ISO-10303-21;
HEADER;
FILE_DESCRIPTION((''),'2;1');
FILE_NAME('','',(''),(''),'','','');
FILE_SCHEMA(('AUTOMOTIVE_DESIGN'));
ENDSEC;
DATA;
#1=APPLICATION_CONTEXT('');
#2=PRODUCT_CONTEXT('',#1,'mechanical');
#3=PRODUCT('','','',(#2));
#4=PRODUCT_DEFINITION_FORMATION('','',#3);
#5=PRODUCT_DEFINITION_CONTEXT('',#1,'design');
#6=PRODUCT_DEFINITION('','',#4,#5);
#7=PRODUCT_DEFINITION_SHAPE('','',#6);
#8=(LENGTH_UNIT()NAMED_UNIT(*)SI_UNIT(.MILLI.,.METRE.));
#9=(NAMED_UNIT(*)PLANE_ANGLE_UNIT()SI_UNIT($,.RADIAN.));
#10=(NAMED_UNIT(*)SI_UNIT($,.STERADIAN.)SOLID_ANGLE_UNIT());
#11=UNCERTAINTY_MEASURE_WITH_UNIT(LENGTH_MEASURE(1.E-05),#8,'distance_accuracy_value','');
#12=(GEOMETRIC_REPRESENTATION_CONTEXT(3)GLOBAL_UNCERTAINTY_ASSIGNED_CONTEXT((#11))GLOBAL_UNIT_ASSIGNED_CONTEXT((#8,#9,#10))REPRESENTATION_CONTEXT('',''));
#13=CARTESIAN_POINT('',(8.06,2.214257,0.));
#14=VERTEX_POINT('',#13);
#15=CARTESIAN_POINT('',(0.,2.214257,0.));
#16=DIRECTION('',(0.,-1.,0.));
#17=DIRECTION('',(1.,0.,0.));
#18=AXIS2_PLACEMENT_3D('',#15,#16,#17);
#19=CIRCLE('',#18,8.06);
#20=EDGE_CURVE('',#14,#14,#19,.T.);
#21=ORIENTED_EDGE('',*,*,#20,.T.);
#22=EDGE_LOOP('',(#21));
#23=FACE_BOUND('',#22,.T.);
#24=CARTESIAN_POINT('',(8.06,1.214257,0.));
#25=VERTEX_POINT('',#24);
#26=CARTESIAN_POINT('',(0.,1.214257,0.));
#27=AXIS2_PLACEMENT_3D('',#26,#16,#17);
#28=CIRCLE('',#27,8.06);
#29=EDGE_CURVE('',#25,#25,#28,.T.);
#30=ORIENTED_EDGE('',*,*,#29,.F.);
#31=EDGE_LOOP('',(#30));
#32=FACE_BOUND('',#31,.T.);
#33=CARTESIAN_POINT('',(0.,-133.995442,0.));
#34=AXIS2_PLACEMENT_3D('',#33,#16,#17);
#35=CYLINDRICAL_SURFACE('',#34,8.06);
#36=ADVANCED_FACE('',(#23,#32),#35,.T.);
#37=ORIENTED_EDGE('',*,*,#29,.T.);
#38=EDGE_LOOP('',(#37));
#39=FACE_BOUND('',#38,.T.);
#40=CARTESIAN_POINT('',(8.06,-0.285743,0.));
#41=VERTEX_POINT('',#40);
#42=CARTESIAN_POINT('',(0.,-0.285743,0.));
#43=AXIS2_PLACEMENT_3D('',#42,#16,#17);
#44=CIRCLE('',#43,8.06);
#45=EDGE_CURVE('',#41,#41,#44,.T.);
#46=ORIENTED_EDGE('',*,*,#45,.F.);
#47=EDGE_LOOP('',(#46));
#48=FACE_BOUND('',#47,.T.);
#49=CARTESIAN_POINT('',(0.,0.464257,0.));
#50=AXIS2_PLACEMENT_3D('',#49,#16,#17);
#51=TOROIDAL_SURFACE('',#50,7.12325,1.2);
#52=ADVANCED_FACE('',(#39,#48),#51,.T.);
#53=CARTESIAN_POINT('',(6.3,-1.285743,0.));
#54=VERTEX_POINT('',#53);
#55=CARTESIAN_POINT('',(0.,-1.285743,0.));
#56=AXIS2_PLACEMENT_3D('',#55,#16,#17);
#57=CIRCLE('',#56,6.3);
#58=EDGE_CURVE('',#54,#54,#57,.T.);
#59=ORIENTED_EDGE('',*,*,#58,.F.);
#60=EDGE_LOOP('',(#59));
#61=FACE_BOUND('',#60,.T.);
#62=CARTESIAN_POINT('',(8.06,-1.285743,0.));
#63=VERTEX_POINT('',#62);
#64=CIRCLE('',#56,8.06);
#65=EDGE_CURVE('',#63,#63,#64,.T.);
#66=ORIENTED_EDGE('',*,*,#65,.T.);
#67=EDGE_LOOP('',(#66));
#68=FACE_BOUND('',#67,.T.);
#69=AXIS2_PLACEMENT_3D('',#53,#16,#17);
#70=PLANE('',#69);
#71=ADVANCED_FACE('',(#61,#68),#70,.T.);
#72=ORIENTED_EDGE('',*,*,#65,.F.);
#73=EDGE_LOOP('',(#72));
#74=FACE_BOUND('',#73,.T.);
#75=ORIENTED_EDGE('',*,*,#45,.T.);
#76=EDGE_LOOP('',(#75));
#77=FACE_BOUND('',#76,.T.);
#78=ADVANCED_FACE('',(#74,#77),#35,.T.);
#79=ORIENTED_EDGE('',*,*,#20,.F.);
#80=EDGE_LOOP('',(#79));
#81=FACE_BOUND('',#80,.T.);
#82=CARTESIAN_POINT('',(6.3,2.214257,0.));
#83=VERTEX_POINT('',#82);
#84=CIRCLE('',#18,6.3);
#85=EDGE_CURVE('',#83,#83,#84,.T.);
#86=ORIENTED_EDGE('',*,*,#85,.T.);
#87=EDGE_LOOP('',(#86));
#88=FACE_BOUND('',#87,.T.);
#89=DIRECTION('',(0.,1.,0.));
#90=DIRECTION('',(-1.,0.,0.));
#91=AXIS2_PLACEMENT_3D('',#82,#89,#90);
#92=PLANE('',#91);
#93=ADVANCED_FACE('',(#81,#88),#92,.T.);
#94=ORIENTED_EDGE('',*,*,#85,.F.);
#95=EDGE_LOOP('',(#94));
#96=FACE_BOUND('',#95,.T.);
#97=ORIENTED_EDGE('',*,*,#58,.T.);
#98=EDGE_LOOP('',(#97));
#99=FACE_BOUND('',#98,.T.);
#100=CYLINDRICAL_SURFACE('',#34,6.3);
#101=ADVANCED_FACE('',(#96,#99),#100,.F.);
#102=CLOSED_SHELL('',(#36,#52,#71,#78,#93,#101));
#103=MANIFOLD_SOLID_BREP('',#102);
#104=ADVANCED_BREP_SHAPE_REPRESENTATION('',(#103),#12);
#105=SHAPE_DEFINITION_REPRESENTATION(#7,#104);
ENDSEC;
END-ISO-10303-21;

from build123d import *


with BuildPart() as part:
    # Sketch1 → Revolve1 (revolve)
    with BuildSketch(Plane.XY):
        with BuildLine():
            Line((8.06, -0.285743449), (8.06, -1.285743449))
            Line((8.06, -1.285743449), (6.3, -1.285743449))
            Line((6.3, -1.285743449), (6.3, 2.214256551))
            Line((6.3, 2.214256551), (8.06, 2.214256551))
            Line((8.06, 2.214256551), (8.06, 1.214256551))
            ThreePointArc((8.06, 1.214256551), (8.3232503, 0.464256551), (8.06, -0.285743449))
        make_face()
    revolve(axis=Axis((0, -133.995441592, 0), (0, 1, 0)))


solid = part.part
